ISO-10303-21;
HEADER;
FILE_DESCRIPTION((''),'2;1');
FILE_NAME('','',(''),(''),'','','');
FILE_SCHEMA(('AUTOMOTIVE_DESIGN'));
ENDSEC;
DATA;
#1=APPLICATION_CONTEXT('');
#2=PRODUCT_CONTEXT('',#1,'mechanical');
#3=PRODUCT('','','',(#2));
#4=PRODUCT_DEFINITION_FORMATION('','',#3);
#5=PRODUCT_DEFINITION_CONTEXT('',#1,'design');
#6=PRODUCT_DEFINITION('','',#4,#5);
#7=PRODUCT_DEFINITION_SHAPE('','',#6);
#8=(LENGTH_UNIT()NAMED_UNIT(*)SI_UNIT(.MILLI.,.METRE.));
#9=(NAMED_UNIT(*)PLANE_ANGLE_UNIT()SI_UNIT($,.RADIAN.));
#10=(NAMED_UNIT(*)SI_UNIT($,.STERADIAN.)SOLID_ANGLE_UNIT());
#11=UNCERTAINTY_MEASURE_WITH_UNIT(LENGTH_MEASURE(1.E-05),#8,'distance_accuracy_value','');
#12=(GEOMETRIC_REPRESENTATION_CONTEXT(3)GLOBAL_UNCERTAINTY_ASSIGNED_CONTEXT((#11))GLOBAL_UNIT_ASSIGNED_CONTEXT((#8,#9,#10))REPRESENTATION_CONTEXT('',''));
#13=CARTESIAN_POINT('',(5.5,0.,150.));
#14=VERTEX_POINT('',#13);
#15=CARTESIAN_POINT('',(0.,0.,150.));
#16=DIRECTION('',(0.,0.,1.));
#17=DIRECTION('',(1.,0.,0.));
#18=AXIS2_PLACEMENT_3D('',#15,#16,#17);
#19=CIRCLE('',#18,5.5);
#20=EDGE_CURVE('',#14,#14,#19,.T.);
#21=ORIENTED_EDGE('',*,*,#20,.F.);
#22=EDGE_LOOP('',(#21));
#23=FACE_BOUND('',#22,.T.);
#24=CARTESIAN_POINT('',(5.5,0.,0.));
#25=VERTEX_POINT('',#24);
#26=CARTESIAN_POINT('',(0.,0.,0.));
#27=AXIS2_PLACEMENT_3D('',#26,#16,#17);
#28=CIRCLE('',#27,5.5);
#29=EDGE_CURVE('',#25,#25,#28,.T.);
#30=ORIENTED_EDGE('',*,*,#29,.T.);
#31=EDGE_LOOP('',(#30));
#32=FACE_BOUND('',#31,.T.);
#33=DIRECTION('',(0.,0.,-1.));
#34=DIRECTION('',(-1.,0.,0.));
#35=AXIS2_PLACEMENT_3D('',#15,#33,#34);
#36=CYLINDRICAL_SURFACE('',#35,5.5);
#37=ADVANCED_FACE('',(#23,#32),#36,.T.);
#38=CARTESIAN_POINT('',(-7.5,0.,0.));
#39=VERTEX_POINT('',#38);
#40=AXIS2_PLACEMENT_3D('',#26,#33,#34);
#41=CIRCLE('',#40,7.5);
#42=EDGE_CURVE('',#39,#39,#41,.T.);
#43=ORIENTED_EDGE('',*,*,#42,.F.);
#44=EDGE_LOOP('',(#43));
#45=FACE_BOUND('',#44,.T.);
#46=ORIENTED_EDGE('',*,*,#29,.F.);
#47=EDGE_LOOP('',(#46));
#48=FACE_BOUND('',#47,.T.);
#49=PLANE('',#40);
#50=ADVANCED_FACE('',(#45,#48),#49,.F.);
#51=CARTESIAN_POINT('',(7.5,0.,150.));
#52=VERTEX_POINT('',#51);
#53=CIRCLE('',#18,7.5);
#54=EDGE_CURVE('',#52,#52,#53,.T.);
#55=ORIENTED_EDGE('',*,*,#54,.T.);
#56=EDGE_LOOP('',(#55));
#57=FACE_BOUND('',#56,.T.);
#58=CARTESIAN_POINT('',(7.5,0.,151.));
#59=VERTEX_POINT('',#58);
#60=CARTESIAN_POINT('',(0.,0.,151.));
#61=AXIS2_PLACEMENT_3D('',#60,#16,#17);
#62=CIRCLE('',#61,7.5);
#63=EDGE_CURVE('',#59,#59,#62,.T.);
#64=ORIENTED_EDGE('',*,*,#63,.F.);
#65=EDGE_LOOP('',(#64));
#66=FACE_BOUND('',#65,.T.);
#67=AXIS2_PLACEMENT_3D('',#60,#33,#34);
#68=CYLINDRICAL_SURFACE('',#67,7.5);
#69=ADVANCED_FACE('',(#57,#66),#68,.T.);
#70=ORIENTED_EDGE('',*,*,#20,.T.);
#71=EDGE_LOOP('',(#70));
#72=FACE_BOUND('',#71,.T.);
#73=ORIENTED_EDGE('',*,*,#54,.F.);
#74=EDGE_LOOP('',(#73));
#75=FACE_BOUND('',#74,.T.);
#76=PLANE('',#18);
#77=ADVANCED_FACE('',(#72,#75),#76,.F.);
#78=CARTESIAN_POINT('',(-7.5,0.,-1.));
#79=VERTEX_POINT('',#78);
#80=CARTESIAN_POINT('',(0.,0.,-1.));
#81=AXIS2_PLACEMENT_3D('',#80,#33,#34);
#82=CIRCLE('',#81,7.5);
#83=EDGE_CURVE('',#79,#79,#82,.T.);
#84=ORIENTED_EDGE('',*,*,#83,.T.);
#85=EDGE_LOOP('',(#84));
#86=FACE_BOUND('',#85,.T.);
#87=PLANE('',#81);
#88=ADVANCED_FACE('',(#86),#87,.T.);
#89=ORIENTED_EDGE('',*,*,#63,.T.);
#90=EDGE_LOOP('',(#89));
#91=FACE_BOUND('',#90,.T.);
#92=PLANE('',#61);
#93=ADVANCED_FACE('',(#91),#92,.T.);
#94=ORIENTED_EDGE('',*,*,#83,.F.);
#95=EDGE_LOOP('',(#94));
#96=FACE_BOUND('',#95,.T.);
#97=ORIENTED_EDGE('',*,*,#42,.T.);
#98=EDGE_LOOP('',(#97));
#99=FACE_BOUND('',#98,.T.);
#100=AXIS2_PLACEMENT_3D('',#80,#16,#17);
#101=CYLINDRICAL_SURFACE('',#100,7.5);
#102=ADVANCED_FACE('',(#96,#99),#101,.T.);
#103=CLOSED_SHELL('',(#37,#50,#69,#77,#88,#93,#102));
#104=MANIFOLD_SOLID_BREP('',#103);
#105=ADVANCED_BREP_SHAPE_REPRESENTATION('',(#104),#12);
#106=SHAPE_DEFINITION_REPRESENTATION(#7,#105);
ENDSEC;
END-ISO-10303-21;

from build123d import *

# Parameters (mm, degrees)
SKETCH1_R           = 5.5
BOSS_EXTRUDE1_DEPTH = 150
SKETCH2_R           = 7.5
BOSS_EXTRUDE2_DEPTH = 1
SKETCH3_R           = 7.5
BOSS_EXTRUDE3_DEPTH = 1


with BuildPart() as part:
    # Sketch1 → Boss-Extrude1 (new body)
    with BuildSketch(Plane.XY):
        Circle(SKETCH1_R)
    extrude(amount=BOSS_EXTRUDE1_DEPTH)

    # Sketch2 → Boss-Extrude2 (add)
    with BuildSketch(Plane(origin=(0, 0, 0), x_dir=(-1, 0, 0), z_dir=(0, 0, -1))):
        Circle(SKETCH2_R)
    extrude(amount=BOSS_EXTRUDE2_DEPTH)

    # Sketch3 → Boss-Extrude3 (add)
    with BuildSketch(Plane.XY.offset(150)):
        Circle(SKETCH3_R)
    extrude(amount=BOSS_EXTRUDE3_DEPTH)


solid = part.part
